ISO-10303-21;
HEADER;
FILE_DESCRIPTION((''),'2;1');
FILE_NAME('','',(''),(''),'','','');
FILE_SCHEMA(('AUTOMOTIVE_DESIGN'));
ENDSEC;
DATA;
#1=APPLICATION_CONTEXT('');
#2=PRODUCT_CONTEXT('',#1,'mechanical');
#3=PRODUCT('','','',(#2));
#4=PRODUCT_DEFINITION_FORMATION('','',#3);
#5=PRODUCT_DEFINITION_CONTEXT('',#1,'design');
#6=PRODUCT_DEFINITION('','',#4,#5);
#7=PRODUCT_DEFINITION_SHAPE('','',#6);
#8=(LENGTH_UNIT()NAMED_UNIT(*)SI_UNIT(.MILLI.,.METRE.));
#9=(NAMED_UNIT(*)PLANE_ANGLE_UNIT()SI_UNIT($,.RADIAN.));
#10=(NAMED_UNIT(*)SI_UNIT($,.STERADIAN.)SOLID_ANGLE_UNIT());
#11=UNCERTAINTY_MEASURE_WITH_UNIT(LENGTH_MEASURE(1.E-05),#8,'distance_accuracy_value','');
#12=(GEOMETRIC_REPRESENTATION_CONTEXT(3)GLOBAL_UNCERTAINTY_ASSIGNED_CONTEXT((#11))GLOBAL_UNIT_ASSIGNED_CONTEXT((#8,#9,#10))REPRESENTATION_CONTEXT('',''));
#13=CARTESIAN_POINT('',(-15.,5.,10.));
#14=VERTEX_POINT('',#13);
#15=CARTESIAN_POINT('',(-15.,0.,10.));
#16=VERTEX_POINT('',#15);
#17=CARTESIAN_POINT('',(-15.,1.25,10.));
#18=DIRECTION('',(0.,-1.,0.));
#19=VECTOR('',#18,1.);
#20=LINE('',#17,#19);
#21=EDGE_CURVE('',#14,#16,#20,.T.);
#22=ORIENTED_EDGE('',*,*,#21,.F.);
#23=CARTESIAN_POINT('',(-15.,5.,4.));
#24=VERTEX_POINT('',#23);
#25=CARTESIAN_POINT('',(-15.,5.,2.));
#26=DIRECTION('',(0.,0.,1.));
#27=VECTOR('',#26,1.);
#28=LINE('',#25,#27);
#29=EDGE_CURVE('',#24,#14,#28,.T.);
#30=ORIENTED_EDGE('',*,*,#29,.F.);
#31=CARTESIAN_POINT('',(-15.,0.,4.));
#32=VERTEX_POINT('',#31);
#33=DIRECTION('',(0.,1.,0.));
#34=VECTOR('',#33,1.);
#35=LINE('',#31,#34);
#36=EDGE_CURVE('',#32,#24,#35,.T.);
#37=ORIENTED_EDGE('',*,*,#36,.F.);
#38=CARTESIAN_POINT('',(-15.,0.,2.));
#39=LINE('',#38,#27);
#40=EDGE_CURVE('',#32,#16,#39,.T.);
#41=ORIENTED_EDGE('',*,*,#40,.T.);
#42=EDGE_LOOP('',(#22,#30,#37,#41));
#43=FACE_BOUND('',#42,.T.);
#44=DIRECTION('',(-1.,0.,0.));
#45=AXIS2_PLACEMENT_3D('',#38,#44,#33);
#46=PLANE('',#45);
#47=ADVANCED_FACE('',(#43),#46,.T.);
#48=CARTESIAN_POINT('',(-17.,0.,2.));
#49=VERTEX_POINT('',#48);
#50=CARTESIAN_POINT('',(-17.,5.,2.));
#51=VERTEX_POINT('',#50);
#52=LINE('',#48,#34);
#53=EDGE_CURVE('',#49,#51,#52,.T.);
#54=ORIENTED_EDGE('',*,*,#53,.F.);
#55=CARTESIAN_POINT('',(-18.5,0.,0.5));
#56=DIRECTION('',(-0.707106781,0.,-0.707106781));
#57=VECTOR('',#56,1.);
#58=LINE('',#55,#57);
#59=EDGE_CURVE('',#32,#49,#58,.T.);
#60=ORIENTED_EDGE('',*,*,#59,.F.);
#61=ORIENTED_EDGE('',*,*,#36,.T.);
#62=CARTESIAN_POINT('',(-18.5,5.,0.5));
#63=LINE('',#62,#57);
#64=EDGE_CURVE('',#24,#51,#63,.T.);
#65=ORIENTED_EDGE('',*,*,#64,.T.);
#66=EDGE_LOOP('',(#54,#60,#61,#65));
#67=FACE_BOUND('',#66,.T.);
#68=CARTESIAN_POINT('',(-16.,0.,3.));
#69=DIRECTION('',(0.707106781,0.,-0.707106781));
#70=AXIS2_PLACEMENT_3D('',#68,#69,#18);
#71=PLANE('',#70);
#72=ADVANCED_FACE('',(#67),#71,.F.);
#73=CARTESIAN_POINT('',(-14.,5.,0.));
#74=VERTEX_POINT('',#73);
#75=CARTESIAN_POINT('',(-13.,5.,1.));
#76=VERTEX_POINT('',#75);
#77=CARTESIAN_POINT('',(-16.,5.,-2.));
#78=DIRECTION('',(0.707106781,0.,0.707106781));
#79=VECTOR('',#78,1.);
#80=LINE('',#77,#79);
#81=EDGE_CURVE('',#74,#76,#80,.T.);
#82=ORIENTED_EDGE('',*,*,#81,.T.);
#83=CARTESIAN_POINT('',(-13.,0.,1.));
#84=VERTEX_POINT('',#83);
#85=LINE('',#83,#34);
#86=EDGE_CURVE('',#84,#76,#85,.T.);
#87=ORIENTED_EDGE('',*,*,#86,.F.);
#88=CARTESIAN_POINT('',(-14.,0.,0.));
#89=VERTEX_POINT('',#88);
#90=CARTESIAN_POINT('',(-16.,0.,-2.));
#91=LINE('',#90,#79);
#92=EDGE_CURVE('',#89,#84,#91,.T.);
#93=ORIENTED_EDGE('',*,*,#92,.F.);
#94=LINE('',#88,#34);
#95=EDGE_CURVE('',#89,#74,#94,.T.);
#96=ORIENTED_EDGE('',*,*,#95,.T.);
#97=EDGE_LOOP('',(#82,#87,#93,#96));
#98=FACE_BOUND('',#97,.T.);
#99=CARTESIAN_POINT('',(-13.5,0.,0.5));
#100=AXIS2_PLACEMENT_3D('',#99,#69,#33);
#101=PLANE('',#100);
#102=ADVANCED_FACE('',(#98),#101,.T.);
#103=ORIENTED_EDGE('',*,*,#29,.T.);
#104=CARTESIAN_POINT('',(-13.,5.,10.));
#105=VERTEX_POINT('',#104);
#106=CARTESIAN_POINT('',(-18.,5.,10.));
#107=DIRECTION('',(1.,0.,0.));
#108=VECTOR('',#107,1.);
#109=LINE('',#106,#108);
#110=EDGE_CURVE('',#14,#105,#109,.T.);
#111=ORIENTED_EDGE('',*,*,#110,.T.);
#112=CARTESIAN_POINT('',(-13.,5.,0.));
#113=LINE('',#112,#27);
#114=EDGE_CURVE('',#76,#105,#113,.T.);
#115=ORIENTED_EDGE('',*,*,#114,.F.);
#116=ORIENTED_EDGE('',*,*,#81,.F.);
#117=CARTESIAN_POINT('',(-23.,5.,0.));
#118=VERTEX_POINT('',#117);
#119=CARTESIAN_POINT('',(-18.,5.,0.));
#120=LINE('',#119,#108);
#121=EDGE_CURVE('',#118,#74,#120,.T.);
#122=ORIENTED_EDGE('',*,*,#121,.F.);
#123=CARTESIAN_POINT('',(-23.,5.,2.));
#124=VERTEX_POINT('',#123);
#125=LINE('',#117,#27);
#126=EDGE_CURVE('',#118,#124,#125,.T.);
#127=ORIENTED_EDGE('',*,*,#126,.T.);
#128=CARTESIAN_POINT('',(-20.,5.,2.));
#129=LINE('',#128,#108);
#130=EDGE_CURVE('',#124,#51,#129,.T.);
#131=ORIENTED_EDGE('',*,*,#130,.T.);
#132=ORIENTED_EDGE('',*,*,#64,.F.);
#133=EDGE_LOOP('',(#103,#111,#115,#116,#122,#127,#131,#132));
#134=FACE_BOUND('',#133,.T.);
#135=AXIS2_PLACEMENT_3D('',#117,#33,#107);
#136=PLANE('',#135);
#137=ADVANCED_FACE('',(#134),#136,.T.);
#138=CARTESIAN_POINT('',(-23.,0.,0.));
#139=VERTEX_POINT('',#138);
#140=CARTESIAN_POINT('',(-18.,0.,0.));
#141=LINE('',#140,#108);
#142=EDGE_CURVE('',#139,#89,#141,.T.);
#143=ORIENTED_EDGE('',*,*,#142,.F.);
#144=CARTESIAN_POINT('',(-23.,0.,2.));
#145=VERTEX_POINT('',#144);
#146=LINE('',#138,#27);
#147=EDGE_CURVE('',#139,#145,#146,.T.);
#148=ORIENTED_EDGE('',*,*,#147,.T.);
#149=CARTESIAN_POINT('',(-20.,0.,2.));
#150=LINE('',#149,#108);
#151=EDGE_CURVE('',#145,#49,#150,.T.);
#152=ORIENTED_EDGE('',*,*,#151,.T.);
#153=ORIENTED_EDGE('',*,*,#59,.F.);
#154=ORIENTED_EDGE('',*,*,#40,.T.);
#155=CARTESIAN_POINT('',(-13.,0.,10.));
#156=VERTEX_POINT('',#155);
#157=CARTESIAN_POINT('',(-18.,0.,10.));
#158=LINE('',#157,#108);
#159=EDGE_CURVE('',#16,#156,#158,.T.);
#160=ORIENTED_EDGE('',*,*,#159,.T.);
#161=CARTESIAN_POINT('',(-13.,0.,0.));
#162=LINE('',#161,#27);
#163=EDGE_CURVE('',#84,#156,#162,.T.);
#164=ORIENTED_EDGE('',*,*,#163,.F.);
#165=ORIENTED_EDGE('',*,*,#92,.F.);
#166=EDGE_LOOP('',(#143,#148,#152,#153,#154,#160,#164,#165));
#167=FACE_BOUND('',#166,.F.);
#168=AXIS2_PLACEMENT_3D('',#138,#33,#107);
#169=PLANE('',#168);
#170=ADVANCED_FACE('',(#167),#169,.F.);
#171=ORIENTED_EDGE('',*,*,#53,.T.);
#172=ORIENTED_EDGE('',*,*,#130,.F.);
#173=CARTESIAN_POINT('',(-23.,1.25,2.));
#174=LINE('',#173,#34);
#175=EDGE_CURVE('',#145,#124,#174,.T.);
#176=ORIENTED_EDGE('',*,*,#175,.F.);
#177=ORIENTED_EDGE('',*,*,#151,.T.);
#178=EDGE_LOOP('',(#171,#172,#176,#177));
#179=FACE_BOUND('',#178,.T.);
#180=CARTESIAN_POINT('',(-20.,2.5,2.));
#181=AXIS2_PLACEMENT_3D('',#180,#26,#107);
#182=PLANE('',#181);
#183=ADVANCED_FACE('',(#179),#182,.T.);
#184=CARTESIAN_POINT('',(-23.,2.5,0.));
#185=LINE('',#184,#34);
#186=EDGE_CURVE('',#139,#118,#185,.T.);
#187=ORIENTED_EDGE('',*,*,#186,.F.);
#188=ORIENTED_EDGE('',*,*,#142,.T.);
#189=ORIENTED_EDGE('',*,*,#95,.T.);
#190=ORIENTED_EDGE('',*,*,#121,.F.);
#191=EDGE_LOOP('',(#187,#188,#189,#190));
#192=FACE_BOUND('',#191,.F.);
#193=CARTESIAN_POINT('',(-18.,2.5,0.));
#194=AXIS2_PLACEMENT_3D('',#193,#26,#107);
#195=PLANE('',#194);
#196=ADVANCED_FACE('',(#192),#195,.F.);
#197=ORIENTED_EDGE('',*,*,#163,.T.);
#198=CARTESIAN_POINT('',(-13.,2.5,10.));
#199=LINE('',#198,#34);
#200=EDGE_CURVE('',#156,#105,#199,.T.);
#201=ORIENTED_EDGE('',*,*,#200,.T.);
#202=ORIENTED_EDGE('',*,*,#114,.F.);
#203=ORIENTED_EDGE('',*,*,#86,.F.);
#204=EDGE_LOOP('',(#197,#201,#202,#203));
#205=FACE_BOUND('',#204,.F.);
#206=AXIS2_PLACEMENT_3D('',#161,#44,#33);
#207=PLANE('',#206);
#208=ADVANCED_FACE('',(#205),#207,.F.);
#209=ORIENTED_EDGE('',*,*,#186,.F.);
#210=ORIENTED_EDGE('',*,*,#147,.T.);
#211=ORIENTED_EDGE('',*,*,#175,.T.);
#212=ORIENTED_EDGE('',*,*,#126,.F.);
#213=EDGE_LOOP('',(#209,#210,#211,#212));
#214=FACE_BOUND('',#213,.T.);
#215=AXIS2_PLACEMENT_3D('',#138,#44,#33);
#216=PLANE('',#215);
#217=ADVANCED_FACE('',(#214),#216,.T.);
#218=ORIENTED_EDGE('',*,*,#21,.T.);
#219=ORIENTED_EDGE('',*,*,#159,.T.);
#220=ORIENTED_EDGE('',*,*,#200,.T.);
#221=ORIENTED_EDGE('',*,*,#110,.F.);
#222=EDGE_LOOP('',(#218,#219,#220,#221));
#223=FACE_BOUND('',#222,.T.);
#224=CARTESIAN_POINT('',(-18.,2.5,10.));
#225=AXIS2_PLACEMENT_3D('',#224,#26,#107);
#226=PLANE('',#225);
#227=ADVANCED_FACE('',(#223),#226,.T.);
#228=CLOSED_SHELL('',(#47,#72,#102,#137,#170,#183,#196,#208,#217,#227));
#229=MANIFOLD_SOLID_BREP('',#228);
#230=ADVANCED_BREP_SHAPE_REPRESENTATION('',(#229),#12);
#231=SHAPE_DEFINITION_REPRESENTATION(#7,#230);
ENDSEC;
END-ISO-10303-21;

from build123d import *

# Parameters (mm, degrees)
BOX017_W        = 10
BOX017_H        = 5
BOX017_DEPTH    = 10
CHAMFER006_SIZE = 2
BOX016_W        = 10
BOX016_H        = 5
BOX016_DEPTH    = 10
CHAMFER007_SIZE = 1


with BuildPart() as chamfer014:
    # Box017 → Box017 (new body)
    with BuildSketch(Plane(origin=(-2, 0, 2), x_dir=(1, 0, 0), z_dir=(0, 0, 1))):
        with Locations((5, 2.5)):
            Rectangle(BOX017_W, BOX017_H)
    extrude(amount=BOX017_DEPTH)

    # Chamfer006
    chamfer006_edges = [chamfer014.edges().sort_by_distance(p)[0] for p in [
        (8, 2.5, 2),
    ]]
    chamfer(chamfer006_edges, length=CHAMFER006_SIZE)


with BuildPart() as kabelf_hrung_grundk_rper_zum_ndern:
    # Box016 → Box016 (new body)
    with BuildSketch(Plane.XY):
        with Locations((5, 2.5)):
            Rectangle(BOX016_W, BOX016_H)
    extrude(amount=BOX016_DEPTH)

    # Cut001017: cut Chamfer014
    add(chamfer014.part, mode=Mode.SUBTRACT)

    # Chamfer007
    chamfer007_edges = [kabelf_hrung_grundk_rper_zum_ndern.edges().sort_by_distance(p)[0] for p in [
        (10, 2.5, 0),
    ]]
    chamfer(chamfer007_edges, length=CHAMFER007_SIZE)


with BuildPart() as kabelf_hrung_grundk_rper_zum_ndern_1:
    # Chamfer007 placement: moved
    add(kabelf_hrung_grundk_rper_zum_ndern.part.moved(Location((-23, 0, 0))))


solid = kabelf_hrung_grundk_rper_zum_ndern_1.part
